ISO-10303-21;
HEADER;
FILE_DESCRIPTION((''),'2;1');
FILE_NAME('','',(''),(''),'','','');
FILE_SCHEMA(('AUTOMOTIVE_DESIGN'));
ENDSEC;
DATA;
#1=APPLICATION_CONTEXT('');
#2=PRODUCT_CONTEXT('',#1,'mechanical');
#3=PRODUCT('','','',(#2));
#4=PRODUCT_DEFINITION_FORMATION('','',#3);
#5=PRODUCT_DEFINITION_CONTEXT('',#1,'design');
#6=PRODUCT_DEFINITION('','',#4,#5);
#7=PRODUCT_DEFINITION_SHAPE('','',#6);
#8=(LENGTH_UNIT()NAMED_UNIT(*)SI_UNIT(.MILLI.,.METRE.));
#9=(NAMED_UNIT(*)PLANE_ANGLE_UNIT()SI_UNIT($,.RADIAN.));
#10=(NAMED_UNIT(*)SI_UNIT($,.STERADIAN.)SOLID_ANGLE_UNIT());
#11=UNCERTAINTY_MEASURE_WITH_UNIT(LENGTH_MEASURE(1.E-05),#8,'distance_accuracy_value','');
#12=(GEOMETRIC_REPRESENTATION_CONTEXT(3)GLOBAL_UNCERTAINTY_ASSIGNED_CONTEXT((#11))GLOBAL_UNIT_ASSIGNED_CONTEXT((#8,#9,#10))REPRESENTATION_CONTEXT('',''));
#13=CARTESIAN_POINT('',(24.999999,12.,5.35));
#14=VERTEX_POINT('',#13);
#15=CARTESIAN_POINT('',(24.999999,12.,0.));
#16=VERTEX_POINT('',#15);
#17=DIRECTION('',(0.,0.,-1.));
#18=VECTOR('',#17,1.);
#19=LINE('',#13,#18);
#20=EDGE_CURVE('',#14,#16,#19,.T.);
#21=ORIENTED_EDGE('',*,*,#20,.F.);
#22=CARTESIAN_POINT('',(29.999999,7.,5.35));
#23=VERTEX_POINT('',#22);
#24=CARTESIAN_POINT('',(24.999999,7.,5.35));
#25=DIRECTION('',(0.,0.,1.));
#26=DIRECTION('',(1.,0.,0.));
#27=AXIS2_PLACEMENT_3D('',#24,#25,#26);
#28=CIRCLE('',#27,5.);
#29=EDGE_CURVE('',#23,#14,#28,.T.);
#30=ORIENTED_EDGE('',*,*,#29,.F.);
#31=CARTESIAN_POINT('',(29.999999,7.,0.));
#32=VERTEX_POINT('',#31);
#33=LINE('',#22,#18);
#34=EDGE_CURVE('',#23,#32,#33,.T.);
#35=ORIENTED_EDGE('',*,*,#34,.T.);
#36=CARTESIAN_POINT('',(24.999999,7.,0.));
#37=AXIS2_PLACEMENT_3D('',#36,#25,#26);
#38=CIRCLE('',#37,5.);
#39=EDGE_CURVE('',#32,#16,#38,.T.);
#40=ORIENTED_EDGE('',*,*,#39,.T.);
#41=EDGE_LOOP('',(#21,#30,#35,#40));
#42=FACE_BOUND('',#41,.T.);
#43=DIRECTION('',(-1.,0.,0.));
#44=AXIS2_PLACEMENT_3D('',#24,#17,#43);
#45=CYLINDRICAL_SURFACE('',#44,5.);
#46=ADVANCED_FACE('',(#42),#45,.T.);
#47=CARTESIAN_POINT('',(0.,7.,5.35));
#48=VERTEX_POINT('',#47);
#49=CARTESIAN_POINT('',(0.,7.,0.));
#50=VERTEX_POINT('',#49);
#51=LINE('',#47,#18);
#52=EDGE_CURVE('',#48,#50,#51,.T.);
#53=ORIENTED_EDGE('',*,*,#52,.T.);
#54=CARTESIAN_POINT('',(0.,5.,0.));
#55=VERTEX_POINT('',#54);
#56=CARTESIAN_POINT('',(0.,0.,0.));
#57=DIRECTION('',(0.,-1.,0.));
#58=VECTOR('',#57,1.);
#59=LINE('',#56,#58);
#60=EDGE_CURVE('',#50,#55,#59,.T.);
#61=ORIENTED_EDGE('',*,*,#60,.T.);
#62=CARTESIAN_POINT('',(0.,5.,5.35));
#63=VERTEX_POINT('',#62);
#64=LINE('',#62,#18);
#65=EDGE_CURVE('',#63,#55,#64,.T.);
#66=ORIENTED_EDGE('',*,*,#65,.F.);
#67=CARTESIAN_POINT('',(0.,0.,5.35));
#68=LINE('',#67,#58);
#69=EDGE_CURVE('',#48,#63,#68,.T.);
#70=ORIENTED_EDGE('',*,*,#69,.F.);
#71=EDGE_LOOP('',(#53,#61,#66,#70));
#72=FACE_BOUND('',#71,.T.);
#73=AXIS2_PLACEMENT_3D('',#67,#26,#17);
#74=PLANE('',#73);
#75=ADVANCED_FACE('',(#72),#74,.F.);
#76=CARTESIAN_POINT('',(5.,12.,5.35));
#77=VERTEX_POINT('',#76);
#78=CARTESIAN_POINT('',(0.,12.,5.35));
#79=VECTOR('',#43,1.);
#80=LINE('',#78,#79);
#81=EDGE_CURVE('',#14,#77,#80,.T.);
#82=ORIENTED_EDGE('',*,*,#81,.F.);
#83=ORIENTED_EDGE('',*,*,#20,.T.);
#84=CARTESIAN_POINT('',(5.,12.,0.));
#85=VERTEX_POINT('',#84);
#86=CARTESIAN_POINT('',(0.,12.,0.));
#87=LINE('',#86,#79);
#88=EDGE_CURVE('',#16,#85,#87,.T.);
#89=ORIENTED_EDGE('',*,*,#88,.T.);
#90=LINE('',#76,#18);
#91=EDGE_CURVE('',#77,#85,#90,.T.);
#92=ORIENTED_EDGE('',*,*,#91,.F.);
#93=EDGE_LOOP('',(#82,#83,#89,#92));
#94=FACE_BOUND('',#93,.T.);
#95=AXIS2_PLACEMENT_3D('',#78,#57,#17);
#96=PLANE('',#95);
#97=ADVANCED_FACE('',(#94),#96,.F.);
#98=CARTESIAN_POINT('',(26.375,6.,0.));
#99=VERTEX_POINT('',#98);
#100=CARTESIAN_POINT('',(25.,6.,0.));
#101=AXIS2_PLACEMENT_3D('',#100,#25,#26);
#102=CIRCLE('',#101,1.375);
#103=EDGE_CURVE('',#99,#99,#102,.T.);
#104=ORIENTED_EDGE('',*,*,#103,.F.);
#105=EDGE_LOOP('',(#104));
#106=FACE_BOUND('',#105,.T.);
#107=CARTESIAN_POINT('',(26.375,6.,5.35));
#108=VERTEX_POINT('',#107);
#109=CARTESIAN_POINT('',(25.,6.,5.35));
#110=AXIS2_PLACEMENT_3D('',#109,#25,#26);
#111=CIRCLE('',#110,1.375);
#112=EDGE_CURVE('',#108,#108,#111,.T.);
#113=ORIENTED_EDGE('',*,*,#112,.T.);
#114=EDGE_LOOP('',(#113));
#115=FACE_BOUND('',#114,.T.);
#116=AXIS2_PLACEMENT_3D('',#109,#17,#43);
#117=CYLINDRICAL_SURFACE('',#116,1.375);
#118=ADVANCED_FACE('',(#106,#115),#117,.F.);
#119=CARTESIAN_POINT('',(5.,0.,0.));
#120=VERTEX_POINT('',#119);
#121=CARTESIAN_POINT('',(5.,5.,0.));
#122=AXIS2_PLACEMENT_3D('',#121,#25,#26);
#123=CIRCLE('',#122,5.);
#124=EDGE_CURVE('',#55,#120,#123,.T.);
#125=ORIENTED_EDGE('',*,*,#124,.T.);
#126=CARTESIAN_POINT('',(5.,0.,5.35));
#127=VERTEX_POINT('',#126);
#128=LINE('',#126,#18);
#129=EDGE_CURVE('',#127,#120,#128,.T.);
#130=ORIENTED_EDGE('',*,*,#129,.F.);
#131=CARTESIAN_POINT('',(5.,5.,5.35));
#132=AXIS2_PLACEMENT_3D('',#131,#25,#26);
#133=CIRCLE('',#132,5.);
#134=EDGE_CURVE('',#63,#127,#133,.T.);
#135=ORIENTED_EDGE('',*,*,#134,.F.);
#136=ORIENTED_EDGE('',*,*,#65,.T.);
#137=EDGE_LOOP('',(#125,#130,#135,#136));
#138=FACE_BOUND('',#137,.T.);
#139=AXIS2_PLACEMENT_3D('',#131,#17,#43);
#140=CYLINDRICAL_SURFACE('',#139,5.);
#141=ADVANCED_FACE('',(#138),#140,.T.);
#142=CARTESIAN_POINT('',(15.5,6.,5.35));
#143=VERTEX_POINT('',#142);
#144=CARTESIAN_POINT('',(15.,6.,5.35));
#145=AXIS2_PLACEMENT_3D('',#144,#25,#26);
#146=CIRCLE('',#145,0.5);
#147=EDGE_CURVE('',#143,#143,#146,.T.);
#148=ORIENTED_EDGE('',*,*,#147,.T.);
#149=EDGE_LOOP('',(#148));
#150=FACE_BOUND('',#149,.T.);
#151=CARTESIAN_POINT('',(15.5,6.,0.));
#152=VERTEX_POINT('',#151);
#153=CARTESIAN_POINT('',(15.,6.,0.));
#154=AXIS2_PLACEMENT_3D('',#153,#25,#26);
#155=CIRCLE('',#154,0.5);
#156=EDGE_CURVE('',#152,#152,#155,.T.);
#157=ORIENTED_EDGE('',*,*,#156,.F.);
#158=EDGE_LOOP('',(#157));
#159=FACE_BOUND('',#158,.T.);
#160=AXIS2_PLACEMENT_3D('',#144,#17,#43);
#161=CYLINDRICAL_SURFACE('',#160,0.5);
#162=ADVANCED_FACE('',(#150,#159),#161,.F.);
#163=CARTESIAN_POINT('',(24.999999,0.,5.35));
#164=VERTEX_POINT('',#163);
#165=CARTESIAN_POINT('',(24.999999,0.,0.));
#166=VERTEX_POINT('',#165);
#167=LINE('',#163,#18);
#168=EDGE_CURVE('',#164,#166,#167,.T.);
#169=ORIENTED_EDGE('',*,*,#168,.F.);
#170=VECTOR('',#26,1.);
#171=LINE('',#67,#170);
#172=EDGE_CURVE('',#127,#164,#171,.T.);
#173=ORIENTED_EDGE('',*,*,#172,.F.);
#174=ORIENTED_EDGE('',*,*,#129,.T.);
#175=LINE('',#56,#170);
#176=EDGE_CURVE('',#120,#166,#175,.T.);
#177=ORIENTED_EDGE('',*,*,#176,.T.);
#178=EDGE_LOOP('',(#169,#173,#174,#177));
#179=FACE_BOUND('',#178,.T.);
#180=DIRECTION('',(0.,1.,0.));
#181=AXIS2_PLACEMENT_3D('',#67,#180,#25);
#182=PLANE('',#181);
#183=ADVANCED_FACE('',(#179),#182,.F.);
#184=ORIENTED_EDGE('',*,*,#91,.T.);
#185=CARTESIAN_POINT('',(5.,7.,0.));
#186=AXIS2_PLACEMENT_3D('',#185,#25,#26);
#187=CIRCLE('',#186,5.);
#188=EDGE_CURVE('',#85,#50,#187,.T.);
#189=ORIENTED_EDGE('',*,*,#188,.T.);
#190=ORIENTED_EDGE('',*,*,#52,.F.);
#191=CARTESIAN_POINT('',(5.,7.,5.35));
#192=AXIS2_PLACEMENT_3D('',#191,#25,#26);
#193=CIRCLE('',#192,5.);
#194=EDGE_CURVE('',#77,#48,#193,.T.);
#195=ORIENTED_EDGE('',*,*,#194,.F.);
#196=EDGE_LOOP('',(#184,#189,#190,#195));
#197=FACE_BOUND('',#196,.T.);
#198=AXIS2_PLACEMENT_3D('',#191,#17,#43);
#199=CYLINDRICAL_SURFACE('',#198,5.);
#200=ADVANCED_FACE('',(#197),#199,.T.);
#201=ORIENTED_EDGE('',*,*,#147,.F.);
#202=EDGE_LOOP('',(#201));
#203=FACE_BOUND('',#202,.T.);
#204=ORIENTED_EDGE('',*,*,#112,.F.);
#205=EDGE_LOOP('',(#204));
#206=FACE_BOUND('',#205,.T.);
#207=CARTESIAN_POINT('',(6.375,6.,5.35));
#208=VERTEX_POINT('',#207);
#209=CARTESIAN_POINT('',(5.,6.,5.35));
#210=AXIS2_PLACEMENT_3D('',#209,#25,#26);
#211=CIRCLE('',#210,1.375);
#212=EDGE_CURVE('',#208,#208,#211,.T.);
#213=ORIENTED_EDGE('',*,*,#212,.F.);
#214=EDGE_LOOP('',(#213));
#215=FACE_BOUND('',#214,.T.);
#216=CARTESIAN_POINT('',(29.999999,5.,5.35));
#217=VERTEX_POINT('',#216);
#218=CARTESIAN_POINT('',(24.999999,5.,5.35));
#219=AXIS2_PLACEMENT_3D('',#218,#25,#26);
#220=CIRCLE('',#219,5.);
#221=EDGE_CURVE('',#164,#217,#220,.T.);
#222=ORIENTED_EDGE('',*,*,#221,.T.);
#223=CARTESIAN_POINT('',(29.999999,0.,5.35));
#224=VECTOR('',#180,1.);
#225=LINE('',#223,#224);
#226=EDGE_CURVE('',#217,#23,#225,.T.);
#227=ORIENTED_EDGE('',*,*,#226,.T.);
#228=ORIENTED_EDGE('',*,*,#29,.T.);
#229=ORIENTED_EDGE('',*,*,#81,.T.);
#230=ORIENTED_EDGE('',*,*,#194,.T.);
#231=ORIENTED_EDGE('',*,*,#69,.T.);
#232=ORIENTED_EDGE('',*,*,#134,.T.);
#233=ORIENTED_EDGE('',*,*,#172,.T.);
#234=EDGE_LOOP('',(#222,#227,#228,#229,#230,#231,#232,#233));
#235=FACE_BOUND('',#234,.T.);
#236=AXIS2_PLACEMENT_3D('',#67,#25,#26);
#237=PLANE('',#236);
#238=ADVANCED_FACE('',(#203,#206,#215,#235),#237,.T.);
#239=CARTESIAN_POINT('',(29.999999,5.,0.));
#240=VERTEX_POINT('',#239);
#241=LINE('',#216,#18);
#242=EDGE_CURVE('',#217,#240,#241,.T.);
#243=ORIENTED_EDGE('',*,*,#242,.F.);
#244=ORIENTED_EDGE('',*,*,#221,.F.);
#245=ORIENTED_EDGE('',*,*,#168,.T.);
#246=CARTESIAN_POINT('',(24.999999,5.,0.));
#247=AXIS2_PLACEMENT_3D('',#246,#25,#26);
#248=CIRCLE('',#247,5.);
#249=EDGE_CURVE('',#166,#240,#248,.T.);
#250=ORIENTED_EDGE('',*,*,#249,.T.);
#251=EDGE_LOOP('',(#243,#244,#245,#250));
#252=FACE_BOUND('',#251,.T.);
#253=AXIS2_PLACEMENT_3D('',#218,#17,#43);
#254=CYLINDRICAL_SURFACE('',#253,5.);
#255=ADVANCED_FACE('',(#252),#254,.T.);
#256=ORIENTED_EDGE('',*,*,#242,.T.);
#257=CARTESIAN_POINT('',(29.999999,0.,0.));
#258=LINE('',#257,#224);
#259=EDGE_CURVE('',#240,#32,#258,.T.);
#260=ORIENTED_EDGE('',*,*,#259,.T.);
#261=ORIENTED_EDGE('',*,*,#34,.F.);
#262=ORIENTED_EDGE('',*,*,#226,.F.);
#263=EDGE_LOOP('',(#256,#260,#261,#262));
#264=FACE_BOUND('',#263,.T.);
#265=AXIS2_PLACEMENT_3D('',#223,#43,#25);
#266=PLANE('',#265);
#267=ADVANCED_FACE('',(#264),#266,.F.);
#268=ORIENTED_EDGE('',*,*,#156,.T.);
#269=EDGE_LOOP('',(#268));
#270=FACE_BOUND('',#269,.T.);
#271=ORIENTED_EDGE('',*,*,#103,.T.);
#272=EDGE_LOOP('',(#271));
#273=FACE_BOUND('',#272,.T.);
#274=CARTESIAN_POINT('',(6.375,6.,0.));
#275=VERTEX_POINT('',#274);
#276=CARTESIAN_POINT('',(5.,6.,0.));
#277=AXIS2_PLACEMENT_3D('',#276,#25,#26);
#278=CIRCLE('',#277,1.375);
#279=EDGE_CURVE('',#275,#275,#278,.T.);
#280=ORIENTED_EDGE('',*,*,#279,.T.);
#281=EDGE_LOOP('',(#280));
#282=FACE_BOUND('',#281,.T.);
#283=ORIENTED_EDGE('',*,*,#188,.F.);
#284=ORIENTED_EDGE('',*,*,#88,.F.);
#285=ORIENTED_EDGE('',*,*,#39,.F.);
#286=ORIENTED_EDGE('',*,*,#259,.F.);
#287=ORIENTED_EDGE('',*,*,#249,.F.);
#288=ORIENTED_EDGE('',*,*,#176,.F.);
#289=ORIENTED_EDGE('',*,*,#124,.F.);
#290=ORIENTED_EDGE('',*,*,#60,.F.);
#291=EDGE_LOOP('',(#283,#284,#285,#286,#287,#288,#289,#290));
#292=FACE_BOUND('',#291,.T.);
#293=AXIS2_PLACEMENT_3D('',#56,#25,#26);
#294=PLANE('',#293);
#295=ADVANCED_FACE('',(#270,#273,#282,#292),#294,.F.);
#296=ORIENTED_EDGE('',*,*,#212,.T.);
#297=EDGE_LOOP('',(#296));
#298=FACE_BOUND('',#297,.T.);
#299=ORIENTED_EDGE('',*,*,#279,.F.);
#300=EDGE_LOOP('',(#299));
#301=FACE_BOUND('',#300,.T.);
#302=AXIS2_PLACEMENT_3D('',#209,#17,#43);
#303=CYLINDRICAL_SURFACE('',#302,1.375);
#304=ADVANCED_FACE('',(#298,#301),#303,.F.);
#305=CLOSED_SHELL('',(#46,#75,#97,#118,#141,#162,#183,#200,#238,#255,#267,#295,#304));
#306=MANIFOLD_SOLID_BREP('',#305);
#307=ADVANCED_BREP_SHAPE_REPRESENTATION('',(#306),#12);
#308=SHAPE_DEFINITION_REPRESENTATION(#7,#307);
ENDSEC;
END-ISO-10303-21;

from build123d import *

# Parameters (mm, degrees)
MODEL_R             = 1.375
MODEL_R_2           = 0.5
BOSS_EXTRUDE1_DEPTH = 5.35


with BuildPart() as part:
    # Model → Boss-Extrude1 (new body)
    with BuildSketch(Plane.XY):
        with BuildLine():
            Line((5, 0), (24.999999441, 0))
            ThreePointArc((24.999999441, 0), (28.535533275, 1.464466134), (29.999999329, 5))
            Line((29.999999329, 5), (29.999999329, 7.0000001))
            ThreePointArc((29.999999329, 7.0000001), (28.535533237, 10.535534009), (24.999999329, 12.000000104))
            Line((24.999999329, 12.000000104), (4.999999888, 12.000000104))
            ThreePointArc((4.999999888, 12.000000104), (1.464466055, 10.535533971), (0, 7.000000104))
            Line((0, 7.000000104), (0, 5.000000005))
            ThreePointArc((0, 5.000000005), (1.464466092, 1.464466096), (5, 0))
        make_face()
        with Locations((4.999999665, 6.000000052)):
            Circle(MODEL_R, mode=Mode.SUBTRACT)
        with Locations((24.999999665, 6.000000052)):
            Circle(MODEL_R, mode=Mode.SUBTRACT)
        with Locations((14.999999665, 6.000000052)):
            Circle(MODEL_R_2, mode=Mode.SUBTRACT)
    extrude(amount=BOSS_EXTRUDE1_DEPTH)


solid = part.part
